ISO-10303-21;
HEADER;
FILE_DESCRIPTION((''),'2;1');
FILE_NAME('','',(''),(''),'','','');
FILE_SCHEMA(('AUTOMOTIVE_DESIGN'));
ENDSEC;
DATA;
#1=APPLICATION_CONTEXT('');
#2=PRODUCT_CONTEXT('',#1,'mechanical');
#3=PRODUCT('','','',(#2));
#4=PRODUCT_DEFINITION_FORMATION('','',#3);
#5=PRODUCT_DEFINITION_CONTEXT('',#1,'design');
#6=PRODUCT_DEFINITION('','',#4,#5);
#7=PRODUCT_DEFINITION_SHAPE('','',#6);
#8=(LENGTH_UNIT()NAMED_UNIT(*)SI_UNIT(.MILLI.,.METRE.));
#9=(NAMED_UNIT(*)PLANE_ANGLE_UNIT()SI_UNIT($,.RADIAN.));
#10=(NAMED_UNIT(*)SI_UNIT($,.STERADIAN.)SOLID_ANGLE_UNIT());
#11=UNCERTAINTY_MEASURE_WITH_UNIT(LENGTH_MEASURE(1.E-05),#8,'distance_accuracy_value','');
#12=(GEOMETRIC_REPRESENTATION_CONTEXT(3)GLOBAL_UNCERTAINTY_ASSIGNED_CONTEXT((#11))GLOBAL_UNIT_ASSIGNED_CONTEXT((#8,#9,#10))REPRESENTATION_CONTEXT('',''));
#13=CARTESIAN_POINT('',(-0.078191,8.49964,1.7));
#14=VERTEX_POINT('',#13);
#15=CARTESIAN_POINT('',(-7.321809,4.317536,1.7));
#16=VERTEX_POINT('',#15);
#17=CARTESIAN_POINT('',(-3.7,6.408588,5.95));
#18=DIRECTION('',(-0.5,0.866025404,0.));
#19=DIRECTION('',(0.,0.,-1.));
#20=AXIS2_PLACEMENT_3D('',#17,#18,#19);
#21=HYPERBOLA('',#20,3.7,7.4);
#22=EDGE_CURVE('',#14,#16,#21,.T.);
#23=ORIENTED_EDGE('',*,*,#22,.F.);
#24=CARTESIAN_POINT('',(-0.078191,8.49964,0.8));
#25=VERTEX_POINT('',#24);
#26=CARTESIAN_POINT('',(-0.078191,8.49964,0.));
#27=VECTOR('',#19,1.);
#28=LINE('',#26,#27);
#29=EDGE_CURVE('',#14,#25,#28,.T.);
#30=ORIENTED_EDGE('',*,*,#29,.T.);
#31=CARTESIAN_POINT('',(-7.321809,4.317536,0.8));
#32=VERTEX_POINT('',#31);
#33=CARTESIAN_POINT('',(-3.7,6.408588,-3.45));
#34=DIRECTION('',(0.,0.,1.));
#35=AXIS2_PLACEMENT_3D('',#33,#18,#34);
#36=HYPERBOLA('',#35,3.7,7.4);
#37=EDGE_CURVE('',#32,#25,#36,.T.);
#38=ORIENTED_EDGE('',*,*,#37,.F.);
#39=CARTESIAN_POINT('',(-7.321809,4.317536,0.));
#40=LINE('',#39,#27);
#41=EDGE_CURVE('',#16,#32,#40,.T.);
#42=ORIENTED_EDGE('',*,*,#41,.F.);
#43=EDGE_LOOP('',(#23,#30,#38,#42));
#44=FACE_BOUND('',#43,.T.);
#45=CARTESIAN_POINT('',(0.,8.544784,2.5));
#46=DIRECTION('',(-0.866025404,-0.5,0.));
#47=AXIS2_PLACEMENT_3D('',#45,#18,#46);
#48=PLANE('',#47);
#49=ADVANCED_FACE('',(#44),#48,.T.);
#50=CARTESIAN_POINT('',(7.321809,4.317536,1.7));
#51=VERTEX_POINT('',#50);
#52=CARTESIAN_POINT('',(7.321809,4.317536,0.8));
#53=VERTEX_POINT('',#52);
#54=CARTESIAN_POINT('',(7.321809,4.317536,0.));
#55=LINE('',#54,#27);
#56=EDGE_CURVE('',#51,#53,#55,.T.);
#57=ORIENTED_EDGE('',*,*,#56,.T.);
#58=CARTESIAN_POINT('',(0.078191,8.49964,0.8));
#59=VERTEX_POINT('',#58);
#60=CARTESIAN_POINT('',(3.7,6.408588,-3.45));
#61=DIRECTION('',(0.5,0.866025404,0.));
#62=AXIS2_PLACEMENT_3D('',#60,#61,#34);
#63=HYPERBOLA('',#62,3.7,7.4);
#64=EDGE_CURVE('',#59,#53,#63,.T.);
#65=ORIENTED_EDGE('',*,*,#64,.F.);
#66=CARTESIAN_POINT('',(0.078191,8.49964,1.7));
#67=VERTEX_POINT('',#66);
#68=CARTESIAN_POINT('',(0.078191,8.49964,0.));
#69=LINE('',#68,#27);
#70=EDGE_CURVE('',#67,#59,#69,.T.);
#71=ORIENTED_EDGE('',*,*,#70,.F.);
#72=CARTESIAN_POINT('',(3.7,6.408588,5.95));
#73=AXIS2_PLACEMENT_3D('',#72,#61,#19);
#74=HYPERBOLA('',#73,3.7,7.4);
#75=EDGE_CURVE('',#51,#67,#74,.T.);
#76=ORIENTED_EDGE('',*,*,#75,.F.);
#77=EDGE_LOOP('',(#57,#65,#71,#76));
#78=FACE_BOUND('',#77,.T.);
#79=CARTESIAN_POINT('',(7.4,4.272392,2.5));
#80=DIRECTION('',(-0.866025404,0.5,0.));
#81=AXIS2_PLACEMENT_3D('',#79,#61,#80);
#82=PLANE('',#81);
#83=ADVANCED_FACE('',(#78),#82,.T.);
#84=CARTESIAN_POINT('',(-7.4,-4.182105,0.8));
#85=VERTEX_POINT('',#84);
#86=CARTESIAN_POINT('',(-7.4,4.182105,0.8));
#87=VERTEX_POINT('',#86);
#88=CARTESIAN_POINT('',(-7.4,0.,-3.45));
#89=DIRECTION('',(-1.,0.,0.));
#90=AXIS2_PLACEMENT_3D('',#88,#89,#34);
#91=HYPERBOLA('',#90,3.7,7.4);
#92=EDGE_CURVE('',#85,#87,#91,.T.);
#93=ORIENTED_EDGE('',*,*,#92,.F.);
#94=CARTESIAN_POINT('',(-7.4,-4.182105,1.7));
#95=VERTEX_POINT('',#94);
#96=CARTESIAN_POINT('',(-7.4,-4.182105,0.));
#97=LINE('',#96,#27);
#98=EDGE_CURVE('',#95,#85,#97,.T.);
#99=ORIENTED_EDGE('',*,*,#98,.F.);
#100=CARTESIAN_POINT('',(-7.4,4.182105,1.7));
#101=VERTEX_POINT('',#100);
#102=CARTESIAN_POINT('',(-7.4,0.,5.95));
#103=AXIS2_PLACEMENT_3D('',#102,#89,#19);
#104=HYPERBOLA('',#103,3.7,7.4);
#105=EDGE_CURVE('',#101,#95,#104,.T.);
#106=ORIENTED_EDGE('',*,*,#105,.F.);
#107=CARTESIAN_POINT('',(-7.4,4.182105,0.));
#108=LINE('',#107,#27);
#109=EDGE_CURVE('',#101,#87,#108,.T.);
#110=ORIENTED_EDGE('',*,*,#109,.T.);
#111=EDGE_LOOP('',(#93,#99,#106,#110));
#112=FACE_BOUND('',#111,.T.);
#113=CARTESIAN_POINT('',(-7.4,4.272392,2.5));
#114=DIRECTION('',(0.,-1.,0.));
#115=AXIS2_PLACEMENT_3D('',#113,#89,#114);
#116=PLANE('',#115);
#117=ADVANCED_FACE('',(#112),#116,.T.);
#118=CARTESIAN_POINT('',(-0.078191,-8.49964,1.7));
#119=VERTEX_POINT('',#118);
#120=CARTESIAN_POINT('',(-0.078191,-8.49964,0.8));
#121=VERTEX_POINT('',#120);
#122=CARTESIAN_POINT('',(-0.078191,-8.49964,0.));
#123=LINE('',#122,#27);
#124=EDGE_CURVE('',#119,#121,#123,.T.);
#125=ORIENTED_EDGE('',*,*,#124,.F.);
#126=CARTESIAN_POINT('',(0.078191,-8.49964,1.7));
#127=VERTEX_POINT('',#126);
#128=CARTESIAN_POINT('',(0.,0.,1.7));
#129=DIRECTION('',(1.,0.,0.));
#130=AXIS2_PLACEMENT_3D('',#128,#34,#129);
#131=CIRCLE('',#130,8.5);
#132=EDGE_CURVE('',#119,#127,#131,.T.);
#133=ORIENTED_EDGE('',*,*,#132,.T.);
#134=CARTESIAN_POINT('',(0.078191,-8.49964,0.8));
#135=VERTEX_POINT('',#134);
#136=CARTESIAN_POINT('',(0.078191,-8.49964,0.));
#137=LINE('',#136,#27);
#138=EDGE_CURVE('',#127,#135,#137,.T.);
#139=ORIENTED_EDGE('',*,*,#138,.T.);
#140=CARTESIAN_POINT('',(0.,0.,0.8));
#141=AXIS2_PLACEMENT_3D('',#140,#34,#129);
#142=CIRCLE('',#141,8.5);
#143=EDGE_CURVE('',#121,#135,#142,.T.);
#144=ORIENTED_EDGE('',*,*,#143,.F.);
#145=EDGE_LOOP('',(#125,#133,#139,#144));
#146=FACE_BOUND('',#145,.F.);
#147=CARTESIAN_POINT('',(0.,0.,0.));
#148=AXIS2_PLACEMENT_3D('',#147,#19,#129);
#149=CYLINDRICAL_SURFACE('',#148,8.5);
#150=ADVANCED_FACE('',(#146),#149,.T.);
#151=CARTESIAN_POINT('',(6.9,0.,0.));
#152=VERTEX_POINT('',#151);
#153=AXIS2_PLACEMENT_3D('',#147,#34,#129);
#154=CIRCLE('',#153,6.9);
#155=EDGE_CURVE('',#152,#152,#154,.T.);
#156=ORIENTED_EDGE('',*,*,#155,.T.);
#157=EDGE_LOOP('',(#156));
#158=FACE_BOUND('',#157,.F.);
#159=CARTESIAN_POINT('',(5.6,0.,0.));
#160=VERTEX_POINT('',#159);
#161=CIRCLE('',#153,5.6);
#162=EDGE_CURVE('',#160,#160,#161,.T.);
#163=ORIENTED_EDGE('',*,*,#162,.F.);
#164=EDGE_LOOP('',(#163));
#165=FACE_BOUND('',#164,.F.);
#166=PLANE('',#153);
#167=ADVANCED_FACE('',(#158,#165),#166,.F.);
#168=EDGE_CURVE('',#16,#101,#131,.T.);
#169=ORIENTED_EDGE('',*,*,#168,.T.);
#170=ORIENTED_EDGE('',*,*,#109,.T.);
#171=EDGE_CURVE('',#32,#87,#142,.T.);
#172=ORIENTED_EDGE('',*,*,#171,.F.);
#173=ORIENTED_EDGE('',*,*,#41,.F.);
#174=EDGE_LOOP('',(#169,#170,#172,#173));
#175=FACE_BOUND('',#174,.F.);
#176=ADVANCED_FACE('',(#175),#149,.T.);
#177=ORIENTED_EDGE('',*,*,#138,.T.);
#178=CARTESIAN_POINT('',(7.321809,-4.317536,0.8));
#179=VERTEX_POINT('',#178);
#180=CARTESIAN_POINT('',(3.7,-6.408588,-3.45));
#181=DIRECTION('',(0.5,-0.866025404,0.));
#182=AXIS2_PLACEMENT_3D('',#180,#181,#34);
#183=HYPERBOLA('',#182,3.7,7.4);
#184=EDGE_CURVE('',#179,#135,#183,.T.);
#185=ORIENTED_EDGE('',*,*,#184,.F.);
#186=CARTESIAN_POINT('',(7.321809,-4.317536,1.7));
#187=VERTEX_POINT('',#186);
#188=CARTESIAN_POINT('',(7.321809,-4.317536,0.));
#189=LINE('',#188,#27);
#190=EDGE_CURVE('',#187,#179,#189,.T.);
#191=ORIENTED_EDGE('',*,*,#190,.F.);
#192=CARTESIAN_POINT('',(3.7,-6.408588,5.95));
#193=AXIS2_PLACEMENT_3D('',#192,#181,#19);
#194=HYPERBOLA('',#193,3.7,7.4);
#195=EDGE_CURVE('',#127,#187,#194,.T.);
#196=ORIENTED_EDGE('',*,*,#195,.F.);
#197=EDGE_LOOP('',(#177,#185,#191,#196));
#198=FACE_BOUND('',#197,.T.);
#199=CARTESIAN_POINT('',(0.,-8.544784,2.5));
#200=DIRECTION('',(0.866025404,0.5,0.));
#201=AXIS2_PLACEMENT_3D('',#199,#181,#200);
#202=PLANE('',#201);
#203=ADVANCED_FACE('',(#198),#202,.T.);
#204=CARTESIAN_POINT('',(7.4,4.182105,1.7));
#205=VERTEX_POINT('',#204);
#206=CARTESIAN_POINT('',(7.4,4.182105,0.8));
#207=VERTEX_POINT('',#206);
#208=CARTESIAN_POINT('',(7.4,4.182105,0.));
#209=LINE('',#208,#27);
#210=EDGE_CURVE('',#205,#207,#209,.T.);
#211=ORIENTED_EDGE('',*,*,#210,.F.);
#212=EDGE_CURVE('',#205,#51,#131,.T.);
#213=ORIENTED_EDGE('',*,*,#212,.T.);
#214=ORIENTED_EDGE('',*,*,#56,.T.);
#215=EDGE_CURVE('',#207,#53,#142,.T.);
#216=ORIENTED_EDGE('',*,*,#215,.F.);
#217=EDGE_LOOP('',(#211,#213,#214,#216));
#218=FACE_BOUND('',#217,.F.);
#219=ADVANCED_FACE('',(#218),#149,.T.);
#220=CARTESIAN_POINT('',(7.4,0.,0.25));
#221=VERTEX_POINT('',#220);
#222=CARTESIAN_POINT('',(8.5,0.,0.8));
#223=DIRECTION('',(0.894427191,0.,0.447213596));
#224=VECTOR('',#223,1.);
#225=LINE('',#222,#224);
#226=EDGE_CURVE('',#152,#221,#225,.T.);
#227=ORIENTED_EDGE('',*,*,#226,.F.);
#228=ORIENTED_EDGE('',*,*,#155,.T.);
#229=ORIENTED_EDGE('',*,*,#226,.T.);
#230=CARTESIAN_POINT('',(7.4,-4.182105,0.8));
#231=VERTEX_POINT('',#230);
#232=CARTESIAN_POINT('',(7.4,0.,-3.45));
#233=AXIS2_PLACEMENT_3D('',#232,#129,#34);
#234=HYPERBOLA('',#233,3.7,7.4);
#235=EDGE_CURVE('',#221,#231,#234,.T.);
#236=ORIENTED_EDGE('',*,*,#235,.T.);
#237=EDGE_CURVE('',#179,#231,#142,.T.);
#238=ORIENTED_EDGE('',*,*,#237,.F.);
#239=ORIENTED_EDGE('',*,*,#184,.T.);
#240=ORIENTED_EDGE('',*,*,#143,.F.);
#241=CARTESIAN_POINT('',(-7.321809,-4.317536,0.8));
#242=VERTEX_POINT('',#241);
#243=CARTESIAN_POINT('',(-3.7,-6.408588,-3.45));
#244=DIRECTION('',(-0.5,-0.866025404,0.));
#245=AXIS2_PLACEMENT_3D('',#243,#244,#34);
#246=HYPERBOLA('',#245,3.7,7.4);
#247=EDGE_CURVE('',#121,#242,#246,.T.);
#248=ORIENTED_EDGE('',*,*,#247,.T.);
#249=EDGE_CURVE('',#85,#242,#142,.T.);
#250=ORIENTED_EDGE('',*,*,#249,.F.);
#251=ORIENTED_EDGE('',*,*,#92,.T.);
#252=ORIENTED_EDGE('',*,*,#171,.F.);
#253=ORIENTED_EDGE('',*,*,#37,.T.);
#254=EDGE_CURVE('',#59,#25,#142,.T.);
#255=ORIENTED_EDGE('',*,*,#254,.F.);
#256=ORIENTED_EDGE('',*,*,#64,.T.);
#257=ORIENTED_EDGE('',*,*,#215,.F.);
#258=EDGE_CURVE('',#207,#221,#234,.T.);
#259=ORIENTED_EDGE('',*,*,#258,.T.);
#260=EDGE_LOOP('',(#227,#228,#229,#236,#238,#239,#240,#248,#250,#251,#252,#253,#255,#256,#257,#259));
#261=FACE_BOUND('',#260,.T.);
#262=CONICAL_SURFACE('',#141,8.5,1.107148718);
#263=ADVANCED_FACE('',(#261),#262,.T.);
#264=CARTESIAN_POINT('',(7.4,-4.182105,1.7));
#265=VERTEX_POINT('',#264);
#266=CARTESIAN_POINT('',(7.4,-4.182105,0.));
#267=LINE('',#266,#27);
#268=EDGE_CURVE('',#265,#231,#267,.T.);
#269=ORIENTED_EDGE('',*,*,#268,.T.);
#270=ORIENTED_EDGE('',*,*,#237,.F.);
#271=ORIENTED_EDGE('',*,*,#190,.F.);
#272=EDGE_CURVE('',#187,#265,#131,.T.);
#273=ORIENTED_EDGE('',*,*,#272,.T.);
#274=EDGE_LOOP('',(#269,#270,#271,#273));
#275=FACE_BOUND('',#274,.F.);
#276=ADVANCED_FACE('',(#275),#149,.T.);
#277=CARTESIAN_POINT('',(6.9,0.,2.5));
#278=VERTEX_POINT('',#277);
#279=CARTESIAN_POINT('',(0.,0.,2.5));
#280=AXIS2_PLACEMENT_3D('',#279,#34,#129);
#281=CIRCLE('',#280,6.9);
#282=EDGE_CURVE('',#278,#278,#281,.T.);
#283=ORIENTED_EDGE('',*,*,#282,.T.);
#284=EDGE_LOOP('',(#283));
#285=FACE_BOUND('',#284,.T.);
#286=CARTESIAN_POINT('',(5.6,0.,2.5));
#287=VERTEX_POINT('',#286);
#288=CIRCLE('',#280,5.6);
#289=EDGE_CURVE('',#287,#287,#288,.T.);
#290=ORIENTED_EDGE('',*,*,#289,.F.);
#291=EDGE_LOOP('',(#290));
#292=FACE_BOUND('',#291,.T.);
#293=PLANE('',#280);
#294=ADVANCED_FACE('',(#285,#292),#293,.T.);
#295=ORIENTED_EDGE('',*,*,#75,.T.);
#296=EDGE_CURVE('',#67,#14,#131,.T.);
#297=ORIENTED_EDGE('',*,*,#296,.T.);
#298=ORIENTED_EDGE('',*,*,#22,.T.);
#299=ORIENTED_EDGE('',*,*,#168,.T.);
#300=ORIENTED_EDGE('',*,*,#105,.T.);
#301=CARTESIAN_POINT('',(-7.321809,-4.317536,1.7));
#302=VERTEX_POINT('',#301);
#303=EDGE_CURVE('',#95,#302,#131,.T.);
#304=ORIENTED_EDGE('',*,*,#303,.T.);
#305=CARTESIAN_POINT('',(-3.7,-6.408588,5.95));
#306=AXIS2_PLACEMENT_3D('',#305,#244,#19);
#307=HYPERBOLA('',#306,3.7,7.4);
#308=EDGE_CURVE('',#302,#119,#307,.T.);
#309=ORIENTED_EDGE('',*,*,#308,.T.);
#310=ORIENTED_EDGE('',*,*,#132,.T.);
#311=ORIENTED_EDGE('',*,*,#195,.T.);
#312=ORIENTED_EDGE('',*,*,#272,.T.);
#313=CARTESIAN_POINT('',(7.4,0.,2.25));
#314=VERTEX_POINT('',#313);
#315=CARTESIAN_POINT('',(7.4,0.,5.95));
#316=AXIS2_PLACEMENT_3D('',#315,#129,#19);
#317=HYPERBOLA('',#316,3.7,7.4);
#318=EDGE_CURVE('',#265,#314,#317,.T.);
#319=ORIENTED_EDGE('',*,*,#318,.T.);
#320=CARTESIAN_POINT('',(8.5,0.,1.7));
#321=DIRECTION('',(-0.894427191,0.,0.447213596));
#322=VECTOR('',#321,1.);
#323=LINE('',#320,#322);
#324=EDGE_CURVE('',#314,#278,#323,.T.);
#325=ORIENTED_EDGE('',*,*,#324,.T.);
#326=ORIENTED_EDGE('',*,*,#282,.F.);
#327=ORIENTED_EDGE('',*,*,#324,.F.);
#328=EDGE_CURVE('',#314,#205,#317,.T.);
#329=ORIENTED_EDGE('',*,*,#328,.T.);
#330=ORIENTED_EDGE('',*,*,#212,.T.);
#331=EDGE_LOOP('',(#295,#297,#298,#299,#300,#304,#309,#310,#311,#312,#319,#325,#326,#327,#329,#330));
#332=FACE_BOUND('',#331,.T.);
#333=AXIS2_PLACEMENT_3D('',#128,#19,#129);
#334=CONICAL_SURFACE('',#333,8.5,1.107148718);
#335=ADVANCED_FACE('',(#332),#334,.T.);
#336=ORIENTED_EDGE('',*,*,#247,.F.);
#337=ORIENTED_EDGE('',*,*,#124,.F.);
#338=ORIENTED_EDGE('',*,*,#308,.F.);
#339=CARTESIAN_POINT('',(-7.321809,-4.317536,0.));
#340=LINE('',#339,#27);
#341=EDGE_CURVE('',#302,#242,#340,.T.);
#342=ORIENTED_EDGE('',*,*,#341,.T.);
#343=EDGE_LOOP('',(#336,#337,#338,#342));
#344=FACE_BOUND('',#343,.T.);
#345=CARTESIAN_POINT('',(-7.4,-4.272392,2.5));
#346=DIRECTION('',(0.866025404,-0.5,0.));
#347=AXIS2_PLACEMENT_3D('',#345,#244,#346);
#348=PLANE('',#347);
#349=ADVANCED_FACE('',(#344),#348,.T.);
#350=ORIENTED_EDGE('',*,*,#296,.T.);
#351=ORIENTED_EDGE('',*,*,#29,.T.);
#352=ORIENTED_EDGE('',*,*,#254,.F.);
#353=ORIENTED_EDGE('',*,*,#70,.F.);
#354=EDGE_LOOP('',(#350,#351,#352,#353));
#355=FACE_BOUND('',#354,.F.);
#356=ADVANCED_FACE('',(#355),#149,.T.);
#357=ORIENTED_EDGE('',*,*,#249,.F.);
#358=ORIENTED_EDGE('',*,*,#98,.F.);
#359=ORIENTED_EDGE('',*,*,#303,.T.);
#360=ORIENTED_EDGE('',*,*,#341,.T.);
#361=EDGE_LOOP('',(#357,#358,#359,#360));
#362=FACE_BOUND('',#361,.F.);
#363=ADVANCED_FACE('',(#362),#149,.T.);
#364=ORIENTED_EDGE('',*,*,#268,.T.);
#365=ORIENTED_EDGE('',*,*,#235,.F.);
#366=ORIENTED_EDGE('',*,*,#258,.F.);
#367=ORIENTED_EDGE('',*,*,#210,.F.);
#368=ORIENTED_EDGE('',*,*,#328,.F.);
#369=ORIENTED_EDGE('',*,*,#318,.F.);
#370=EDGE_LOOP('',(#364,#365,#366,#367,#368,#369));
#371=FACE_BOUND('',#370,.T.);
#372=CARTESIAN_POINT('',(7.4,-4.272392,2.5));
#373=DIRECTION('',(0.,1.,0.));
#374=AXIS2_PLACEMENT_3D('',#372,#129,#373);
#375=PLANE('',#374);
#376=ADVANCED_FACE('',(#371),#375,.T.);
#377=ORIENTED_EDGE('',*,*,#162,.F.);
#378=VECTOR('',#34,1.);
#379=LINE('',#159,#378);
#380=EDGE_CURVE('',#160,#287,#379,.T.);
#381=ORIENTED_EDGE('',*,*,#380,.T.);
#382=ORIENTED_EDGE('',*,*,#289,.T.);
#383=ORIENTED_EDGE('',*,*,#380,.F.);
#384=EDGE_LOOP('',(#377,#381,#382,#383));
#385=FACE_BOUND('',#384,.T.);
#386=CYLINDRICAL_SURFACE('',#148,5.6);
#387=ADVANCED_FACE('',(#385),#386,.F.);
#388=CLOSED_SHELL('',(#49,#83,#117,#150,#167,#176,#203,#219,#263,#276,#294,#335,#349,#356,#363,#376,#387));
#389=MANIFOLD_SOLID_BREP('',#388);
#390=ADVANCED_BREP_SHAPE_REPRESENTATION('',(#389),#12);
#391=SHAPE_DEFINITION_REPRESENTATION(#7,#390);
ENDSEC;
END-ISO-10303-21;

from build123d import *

# Parameters (mm, degrees)
SKETCH_3_R          = 8.5
SKETCH_3_R_2        = 5.6
EXTRUDE_2_DEPTH     = 2.5
CHAMFER_1_SIZE      = 0.8
CHAMFER_1_SIZE2     = 1.6
CHAMFER_2_SIZE      = 1.6
CHAMFER_2_SIZE2     = 0.8
SKETCH_4_OUTSIDE_W  = 23.834
SKETCH_4_OUTSIDE_H  = 23.834
CUT_EXTRUDE_3_DEPTH = 13.278029158


with BuildPart() as part:
    # Эскиз3 → Вытянуть2 (new body)
    with BuildSketch(Plane.XY):
        Circle(SKETCH_3_R)
        Circle(SKETCH_3_R_2, mode=Mode.SUBTRACT)
    extrude(amount=EXTRUDE_2_DEPTH)

    # Фаска1
    chamfer_1_edges = [part.edges().sort_by_distance(p)[0] for p in [
        (-8.5, 0, 2.5),
    ]]
    chamfer_1_side = [part.faces().sort_by_distance(p)[0] for p in [
        (-8.5, 0, 1.25),
    ]]
    chamfer(chamfer_1_edges, length=CHAMFER_1_SIZE, length2=CHAMFER_1_SIZE2, reference=chamfer_1_side[0])

    # Фаска2
    chamfer_2_edges = [part.edges().sort_by_distance(p)[0] for p in [
        (-8.5, 0, 0),
    ]]
    chamfer_2_side = [part.faces().sort_by_distance(p)[0] for p in [
        (-8.259583694, 0, 0),
    ]]
    chamfer(chamfer_2_edges, length=CHAMFER_2_SIZE, length2=CHAMFER_2_SIZE2, reference=chamfer_2_side[0])

    # Эскиз4 outside → Вытянуть3 (cut, through all)
    with BuildSketch(Plane.XY.offset(2.5)):
        Rectangle(SKETCH_4_OUTSIDE_W, SKETCH_4_OUTSIDE_H)
        Polygon((0, 8.544783984), (-7.4, 4.272391992), (-7.4, -4.272391992), (0, -8.544783984), (7.4, -4.272391992), (7.4, 4.272391992), align=None, mode=Mode.SUBTRACT)
    extrude(amount=-CUT_EXTRUDE_3_DEPTH, mode=Mode.SUBTRACT)


solid = part.part
